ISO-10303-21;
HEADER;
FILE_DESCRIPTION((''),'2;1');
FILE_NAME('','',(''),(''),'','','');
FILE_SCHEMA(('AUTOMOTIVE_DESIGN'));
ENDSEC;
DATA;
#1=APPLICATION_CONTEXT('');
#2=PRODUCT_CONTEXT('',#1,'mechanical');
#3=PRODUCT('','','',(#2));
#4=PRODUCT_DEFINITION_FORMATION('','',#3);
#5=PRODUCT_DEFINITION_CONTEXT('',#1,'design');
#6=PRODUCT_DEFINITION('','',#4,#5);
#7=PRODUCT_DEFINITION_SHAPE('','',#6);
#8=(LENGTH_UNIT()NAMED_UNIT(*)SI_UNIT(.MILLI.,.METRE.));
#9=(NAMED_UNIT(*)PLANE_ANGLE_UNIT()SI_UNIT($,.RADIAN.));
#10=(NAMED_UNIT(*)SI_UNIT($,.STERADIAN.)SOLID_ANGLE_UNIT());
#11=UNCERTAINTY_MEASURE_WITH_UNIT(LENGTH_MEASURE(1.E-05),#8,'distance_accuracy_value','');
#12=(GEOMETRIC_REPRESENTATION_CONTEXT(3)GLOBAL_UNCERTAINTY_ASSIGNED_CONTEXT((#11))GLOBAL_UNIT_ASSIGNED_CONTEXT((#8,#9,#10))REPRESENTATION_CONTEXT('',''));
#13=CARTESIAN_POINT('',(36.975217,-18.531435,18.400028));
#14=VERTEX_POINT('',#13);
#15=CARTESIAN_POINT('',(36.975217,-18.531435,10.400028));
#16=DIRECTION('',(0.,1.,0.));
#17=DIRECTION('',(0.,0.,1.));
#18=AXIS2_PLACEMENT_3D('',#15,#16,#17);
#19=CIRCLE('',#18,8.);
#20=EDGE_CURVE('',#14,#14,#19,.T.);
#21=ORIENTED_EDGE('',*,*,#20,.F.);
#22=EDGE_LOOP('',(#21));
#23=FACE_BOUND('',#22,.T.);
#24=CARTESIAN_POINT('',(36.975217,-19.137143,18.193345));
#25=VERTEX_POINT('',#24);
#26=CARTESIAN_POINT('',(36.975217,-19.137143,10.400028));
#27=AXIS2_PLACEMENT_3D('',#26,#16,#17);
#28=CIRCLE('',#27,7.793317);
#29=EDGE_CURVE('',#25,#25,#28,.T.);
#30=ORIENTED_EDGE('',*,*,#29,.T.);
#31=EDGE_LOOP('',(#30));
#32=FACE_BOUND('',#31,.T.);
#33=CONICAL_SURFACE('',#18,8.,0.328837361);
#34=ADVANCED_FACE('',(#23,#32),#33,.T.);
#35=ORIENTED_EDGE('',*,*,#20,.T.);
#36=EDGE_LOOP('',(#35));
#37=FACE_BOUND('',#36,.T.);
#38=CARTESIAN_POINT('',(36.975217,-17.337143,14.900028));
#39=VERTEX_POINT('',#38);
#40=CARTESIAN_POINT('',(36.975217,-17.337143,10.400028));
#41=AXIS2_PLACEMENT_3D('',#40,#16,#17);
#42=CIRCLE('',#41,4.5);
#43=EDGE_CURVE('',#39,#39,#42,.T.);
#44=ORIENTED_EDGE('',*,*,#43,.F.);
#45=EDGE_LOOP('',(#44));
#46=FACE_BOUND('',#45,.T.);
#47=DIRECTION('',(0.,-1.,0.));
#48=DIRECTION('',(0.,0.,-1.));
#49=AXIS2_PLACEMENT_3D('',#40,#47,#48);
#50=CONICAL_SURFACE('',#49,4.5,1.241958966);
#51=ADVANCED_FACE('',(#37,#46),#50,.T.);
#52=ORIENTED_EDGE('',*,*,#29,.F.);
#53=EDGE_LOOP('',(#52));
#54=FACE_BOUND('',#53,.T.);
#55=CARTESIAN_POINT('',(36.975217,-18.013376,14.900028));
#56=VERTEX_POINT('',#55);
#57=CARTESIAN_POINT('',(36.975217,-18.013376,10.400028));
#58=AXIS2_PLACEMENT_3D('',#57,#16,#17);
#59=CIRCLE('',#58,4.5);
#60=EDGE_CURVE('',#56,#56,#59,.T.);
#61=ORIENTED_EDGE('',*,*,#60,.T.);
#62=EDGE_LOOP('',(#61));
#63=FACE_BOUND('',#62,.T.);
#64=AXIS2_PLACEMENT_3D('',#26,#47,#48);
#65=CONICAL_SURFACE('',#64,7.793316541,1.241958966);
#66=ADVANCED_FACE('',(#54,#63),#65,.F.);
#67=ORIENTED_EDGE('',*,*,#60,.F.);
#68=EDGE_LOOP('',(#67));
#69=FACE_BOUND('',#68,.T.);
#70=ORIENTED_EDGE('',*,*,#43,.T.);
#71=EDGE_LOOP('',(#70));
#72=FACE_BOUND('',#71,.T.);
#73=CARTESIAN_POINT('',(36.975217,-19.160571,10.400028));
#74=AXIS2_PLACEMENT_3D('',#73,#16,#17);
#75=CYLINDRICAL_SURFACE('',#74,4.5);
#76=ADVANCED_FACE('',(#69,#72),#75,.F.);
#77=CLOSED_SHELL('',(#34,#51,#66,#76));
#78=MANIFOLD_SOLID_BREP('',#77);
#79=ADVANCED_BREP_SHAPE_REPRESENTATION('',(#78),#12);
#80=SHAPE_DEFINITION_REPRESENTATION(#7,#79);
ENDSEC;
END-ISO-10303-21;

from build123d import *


with BuildPart() as part:
    # Esquisse1 → Révolution1 (revolve)
    with BuildSketch(Plane(origin=(0, 0, 10.400028379), x_dir=(-1, 0, 0), z_dir=(0, 0, -1)), mode=Mode.PRIVATE) as r_volution1_sk:
        Polygon((-44.97521693, -18.531434822), (-44.768533471, -19.13714263), (-41.47521693, -18.013376277), (-41.47521693, -17.33714263), align=None)
    revolve(r_volution1_sk.sketch.rotate(Axis((36.97521693, -19.160570604, 10.400028379), (0, 1, 0)), 270), axis=Axis((36.97521693, -19.160570604, 10.400028379), (0, 1, 0)))


solid = part.part
